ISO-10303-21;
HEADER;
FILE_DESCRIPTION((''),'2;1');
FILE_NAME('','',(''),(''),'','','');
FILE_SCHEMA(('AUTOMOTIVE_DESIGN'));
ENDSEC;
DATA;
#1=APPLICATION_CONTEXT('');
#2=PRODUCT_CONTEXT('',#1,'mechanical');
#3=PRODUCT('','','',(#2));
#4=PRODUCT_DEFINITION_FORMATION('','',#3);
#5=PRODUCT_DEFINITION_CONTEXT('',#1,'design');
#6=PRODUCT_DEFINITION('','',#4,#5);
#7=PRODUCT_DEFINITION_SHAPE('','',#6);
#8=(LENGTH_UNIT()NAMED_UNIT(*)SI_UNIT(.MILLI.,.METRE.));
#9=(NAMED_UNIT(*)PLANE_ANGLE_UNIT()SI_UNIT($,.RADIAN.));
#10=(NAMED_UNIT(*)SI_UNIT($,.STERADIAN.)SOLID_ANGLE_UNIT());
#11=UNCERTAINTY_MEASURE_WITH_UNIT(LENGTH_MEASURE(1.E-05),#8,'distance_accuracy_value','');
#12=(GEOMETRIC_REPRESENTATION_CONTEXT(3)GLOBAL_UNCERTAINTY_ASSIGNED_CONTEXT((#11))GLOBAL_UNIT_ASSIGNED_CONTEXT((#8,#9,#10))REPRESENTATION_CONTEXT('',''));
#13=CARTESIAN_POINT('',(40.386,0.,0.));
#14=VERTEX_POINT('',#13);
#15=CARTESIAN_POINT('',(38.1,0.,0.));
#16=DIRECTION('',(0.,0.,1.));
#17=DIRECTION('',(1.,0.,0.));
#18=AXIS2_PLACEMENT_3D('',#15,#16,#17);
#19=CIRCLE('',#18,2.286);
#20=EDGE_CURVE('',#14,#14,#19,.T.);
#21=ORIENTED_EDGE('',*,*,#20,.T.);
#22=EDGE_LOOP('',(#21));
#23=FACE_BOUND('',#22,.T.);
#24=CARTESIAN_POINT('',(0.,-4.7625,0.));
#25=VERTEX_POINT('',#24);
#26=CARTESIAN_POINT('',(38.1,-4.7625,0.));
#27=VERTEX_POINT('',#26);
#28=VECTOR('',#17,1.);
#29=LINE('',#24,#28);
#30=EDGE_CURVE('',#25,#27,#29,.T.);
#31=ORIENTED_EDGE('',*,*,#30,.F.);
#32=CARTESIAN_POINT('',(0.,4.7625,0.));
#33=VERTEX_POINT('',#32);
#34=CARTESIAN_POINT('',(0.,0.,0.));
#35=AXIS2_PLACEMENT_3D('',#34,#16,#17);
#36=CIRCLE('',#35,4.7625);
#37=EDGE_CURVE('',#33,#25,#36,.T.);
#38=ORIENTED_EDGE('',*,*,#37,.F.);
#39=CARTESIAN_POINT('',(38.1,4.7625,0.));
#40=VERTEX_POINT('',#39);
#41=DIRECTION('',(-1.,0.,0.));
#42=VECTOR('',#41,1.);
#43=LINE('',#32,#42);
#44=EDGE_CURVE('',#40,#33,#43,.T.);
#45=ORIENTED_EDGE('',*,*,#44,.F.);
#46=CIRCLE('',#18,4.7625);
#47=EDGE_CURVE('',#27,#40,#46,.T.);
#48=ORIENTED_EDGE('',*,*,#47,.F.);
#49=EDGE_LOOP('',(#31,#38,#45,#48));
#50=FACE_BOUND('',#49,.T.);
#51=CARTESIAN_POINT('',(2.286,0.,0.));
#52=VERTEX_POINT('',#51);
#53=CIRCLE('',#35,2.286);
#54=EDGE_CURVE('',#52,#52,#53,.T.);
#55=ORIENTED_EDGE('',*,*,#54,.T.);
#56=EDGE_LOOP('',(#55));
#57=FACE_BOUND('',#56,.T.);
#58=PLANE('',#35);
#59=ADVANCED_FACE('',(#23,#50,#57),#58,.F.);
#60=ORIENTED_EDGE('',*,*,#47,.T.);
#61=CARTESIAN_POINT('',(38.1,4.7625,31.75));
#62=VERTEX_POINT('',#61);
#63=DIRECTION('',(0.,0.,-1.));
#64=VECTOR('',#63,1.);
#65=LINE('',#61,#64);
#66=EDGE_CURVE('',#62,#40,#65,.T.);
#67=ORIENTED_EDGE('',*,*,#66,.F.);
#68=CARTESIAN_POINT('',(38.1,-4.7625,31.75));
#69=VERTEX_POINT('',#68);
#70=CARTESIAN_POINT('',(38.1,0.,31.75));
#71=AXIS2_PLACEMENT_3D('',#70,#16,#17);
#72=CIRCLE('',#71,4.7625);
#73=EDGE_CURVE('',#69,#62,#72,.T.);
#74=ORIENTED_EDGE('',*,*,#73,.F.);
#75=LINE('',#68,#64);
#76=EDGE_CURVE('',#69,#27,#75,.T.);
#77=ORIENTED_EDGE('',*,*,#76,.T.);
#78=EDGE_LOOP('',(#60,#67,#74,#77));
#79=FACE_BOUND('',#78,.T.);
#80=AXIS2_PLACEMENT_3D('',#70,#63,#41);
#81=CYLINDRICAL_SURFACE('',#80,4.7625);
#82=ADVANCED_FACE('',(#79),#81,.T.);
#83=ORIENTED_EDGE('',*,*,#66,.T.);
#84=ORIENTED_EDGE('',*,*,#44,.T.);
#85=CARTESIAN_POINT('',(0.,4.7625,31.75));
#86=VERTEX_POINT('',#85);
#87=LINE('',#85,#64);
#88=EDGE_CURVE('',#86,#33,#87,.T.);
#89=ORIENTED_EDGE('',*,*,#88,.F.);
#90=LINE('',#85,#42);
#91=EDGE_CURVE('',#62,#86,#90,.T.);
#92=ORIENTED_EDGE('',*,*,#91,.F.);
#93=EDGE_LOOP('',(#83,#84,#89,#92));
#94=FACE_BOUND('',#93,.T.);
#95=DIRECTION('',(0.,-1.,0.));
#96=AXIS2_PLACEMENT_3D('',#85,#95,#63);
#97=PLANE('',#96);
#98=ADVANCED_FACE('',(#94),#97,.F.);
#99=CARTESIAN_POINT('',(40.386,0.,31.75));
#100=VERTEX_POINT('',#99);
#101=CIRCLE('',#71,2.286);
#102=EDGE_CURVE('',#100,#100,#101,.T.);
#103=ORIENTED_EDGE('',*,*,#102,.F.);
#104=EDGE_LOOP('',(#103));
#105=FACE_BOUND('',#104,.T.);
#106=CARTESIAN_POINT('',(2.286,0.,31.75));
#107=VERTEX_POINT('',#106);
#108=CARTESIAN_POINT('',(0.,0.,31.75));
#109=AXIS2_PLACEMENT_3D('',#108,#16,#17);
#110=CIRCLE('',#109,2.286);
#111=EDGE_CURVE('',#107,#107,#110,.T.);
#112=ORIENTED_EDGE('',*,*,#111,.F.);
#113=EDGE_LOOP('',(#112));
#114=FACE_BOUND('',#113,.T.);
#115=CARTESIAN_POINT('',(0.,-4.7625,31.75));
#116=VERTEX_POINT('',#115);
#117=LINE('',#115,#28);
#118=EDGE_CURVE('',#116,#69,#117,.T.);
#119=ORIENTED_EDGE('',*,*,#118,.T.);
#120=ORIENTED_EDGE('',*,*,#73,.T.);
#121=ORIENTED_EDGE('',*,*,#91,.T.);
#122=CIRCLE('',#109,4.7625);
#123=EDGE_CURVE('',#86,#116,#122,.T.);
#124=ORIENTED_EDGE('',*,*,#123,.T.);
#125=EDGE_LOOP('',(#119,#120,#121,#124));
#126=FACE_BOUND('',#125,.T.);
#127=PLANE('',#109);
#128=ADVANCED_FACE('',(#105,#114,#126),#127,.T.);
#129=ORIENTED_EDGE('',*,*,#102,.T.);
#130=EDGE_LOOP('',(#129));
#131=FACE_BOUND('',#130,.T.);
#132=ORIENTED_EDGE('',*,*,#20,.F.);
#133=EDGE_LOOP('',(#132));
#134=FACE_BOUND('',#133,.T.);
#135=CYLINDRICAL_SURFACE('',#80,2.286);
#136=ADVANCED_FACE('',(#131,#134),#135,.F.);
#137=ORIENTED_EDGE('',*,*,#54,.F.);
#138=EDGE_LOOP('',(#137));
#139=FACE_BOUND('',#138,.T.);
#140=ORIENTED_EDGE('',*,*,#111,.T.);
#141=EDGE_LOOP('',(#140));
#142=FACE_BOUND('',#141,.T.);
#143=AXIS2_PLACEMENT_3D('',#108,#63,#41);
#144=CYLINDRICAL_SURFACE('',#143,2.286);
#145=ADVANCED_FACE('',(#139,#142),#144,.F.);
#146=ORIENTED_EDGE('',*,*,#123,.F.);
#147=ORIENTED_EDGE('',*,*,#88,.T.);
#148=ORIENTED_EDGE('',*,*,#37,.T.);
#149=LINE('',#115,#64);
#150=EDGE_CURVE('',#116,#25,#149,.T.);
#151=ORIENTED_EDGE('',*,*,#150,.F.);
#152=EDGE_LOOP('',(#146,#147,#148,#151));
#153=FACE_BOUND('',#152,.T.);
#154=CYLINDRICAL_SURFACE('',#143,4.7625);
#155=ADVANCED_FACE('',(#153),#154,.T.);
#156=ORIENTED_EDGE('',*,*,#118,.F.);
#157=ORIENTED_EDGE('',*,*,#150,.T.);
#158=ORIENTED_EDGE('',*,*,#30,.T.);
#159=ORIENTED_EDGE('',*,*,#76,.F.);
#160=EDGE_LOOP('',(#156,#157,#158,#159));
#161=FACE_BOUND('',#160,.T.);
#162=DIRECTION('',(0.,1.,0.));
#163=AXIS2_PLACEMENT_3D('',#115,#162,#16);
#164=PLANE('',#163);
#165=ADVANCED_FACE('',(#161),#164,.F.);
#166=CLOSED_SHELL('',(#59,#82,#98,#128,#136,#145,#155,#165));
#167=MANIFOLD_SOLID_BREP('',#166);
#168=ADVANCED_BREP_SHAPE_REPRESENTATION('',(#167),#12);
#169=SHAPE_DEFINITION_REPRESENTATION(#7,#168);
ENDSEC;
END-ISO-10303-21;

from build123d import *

# Parameters (mm, degrees)
SKETCH1_R           = 2.286
BOSS_EXTRUDE1_DEPTH = 31.75


with BuildPart() as part:
    # Sketch1 → Boss-Extrude1 (new body)
    with BuildSketch(Plane.XY):
        with BuildLine():
            Line((0, 4.7625), (38.1, 4.7625))
            ThreePointArc((38.1, 4.7625), (42.8625, 0), (38.1, -4.7625))
            Line((38.1, -4.7625), (0, -4.7625))
            ThreePointArc((0, -4.7625), (-4.7625, 0), (0, 4.7625))
        make_face()
        Circle(SKETCH1_R, mode=Mode.SUBTRACT)
        with Locations((38.1, 0)):
            Circle(SKETCH1_R, mode=Mode.SUBTRACT)
    extrude(amount=BOSS_EXTRUDE1_DEPTH)


solid = part.part
